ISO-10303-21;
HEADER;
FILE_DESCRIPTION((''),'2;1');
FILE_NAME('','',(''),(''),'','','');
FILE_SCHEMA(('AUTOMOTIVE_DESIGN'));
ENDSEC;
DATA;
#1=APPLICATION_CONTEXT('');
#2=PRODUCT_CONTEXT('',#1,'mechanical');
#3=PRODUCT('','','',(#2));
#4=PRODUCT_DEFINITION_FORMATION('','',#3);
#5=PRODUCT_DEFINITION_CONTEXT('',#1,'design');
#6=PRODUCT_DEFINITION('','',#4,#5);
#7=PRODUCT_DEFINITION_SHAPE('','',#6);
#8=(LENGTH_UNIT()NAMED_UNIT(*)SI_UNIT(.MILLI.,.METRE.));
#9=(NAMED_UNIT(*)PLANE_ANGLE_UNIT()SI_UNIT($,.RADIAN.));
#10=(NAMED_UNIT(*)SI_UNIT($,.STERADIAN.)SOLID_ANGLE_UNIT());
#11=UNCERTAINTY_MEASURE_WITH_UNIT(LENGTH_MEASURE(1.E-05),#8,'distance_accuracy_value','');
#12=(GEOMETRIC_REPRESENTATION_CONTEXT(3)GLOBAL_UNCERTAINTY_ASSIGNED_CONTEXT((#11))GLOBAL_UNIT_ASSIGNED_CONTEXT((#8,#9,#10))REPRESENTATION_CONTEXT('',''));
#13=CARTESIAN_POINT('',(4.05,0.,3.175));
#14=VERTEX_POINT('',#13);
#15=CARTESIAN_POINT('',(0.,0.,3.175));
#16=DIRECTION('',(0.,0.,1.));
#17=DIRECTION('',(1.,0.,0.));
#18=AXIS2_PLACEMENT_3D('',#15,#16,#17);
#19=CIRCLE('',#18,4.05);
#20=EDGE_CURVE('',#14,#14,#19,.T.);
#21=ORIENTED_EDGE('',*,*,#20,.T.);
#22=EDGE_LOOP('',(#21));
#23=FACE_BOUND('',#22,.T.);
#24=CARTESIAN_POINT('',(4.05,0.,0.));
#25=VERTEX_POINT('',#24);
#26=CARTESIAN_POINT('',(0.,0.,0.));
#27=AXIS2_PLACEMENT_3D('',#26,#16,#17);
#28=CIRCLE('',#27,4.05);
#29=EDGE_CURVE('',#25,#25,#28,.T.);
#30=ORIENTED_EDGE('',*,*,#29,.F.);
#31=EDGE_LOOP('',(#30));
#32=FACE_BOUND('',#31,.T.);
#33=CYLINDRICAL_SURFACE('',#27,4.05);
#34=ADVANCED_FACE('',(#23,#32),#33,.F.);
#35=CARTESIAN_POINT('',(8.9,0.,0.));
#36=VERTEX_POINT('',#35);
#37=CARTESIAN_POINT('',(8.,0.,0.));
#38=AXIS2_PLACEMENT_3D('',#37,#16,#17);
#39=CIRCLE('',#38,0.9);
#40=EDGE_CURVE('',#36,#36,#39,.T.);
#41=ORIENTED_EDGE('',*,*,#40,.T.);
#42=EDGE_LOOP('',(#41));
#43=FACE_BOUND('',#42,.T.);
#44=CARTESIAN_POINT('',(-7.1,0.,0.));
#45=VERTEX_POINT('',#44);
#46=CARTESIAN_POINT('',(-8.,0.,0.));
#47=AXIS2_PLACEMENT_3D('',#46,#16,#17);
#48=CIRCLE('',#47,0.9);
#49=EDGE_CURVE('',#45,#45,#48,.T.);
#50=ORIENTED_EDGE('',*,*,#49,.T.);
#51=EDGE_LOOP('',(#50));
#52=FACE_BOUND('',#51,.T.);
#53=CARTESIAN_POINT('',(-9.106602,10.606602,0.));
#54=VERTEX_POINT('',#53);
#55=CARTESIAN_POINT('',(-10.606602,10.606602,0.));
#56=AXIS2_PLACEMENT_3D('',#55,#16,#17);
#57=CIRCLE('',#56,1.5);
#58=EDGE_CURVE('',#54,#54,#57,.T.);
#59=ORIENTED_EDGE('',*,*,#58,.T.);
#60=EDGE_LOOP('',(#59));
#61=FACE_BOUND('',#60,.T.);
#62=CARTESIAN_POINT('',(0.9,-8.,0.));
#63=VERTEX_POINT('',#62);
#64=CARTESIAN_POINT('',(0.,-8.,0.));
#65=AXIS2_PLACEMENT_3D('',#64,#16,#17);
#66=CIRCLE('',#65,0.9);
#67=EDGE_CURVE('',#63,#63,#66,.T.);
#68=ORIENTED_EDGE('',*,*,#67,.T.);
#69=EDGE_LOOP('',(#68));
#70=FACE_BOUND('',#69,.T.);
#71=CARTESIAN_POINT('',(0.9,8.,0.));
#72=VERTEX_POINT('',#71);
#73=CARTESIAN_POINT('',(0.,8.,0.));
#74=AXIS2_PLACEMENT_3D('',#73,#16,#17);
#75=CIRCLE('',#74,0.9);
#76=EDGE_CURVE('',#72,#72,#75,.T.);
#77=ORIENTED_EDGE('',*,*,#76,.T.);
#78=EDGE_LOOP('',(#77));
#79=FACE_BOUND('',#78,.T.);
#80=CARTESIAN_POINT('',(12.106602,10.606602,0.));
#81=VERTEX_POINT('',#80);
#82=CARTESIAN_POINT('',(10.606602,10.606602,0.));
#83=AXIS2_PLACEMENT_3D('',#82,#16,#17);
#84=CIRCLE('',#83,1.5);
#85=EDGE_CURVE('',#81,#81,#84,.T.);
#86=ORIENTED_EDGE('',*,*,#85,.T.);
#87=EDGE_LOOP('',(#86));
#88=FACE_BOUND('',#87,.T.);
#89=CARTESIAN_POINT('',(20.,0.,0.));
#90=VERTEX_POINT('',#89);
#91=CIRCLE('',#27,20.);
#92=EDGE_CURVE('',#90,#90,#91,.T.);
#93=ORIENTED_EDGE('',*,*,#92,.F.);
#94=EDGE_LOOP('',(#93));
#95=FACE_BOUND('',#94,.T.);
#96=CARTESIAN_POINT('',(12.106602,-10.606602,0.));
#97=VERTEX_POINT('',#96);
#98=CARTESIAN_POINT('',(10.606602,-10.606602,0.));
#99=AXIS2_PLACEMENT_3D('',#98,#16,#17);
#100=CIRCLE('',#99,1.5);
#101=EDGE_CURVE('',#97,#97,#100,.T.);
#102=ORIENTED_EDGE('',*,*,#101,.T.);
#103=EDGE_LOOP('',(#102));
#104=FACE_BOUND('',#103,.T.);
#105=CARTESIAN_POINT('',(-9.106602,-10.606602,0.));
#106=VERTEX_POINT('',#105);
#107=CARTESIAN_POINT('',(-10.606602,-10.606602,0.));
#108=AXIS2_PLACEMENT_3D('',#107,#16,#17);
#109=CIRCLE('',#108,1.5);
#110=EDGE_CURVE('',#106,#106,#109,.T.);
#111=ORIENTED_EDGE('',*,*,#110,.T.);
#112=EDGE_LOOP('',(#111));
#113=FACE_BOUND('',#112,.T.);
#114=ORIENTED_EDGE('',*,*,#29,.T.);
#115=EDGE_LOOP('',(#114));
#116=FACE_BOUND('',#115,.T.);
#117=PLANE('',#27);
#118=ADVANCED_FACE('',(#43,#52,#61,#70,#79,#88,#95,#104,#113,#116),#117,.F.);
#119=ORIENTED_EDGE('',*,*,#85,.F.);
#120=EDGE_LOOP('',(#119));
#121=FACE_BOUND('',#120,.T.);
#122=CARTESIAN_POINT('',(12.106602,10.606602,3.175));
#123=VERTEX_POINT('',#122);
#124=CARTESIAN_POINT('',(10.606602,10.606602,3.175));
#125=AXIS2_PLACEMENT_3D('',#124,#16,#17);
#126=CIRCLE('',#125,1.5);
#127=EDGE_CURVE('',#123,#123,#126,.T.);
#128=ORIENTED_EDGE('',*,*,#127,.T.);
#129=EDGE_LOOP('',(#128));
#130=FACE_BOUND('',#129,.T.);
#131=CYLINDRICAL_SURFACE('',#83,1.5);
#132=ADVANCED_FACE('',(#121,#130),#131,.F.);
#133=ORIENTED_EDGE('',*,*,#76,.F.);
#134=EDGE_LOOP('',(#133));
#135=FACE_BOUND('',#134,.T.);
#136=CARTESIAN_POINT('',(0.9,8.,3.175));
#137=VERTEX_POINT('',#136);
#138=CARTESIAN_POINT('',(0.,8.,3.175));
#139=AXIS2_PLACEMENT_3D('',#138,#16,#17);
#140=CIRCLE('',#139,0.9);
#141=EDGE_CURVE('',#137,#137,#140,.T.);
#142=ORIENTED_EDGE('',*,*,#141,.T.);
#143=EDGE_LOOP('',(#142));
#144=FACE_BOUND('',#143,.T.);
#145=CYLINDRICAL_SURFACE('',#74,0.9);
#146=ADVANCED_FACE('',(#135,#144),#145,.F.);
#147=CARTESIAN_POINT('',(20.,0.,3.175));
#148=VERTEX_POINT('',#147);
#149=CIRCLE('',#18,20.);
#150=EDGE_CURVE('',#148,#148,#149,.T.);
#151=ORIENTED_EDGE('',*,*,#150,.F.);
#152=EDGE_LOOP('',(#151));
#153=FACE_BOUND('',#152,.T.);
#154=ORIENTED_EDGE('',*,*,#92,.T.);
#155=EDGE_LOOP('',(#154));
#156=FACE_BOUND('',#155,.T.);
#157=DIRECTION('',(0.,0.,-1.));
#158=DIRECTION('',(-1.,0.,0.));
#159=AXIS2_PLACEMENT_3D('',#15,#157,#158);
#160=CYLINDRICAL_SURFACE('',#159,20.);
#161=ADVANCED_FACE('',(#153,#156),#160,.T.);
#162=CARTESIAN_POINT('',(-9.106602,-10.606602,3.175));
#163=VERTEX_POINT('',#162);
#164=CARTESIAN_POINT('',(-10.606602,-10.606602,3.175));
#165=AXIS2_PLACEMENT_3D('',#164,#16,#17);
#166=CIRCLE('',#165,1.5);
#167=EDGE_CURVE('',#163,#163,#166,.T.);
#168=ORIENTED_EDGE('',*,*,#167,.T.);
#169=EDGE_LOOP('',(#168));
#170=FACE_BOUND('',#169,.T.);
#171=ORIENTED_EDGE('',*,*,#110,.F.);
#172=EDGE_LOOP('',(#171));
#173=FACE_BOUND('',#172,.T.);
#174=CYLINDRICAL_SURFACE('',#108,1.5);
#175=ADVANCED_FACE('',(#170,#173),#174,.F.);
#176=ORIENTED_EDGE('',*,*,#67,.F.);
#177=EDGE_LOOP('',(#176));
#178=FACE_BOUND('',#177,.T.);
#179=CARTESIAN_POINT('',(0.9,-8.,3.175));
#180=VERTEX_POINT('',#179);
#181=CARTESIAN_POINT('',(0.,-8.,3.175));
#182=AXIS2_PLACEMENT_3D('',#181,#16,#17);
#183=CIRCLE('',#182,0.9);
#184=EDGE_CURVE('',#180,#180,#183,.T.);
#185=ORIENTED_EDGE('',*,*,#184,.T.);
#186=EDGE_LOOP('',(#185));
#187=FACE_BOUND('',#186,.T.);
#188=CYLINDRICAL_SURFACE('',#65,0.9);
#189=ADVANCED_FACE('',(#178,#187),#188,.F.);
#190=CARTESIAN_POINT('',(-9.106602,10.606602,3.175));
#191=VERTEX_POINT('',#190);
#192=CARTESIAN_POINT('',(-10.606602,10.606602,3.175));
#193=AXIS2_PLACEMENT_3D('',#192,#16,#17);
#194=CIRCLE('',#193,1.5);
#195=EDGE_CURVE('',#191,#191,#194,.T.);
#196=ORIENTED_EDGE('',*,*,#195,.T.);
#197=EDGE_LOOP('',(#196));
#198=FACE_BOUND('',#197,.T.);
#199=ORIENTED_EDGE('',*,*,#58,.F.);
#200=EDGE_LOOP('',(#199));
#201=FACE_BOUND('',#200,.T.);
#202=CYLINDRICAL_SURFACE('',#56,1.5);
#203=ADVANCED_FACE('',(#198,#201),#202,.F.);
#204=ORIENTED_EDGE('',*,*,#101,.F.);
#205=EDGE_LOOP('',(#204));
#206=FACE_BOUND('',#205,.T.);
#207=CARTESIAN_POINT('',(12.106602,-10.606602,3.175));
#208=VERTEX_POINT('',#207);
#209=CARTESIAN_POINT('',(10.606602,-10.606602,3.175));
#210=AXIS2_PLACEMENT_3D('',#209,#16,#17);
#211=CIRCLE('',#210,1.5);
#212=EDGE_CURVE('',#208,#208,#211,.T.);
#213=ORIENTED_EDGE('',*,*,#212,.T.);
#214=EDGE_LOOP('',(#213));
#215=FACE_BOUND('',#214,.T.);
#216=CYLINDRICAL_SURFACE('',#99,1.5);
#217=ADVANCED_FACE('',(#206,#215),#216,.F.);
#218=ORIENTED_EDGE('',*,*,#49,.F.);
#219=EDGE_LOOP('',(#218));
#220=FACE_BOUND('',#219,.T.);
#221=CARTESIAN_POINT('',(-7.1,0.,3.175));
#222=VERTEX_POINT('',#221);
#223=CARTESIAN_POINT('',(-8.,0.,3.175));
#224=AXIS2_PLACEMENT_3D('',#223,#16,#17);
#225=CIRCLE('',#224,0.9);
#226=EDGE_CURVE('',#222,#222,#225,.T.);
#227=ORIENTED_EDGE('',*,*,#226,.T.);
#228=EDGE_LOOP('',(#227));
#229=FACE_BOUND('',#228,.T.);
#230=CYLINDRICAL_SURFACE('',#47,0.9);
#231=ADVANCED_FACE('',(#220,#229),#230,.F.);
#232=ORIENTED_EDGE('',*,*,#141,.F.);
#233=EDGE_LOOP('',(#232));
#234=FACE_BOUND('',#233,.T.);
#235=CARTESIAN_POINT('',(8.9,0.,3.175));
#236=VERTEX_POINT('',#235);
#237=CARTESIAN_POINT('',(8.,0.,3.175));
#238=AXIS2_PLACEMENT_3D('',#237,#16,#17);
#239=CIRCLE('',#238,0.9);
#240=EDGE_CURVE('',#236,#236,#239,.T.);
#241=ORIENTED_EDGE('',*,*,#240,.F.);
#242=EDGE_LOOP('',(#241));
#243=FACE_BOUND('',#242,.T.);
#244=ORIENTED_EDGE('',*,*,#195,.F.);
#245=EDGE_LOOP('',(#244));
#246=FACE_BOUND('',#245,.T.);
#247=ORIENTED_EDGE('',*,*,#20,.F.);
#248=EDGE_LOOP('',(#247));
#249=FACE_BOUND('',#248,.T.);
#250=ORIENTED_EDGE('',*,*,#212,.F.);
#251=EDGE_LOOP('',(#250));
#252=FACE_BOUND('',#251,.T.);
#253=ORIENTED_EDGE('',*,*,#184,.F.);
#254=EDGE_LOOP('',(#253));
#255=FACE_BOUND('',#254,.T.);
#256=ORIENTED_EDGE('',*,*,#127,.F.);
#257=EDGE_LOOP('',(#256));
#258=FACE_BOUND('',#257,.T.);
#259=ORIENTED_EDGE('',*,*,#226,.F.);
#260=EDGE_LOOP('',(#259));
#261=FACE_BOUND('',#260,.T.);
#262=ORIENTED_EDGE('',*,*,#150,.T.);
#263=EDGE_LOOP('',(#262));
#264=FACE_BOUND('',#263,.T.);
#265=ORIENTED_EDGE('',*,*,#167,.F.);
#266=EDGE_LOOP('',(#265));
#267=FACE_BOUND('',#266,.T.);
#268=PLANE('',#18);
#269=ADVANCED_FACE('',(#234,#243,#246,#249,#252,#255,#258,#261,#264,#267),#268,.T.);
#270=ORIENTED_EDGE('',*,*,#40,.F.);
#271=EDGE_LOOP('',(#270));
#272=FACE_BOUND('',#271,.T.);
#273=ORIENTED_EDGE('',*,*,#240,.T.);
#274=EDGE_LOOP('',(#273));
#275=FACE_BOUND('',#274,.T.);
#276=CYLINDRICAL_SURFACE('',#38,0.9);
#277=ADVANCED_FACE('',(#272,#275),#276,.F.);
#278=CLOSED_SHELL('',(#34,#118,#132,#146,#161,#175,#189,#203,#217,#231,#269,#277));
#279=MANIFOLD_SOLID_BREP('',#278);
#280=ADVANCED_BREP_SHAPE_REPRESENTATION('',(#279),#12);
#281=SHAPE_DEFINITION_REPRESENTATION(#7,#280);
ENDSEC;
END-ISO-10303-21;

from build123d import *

# Parameters (mm, degrees)
ESQUISSE1_R                  = 20
BOSS_EXTRU_1_DEPTH           = 3.175
ESQUISSE2_R                  = 4.05
ESQUISSE2_R_2                = 0.9
ENL_V_MAT_EXTRU_1_DEPTH      = 29.461915343
ENL_V_MAT_EXTRU_2_DEPTH      = 29.461915343
ENL_V_MAT_EXTRU_2_DEPTH_BACK = 29.461915343
ESQUISSE3_R                  = 1.5


with BuildPart() as part:
    # Esquisse1 → Boss.-Extru.1 (new body)
    with BuildSketch(Plane.XY):
        Circle(ESQUISSE1_R)
    extrude(amount=BOSS_EXTRU_1_DEPTH)

    # Esquisse2 → Enlèv. mat.-Extru.1 (cut, through all)
    with BuildSketch(Plane.XY.offset(3.175)):
        Circle(ESQUISSE2_R)
        with Locations((0, 8)):
            Circle(ESQUISSE2_R_2)
        with Locations((8, 0)):
            Circle(ESQUISSE2_R_2)
        with Locations((0, -8)):
            Circle(ESQUISSE2_R_2)
        with Locations((-8, 0)):
            Circle(ESQUISSE2_R_2)
    extrude(amount=-ENL_V_MAT_EXTRU_1_DEPTH, mode=Mode.SUBTRACT)

    # Esquisse3 → Enlèv. mat.-Extru.2 (cut, two sides: drawn at the far end of the back side and taken through both)
    with BuildSketch(Plane.XY.offset(3.175).offset(-ENL_V_MAT_EXTRU_2_DEPTH_BACK)):
        with Locations((10.606601718, 10.606601718)):
            Circle(ESQUISSE3_R)
        with Locations((10.606601718, -10.606601718)):
            Circle(ESQUISSE3_R)
        with Locations((-10.606601718, -10.606601718)):
            Circle(ESQUISSE3_R)
        with Locations((-10.606601718, 10.606601718)):
            Circle(ESQUISSE3_R)
    extrude(amount=ENL_V_MAT_EXTRU_2_DEPTH + ENL_V_MAT_EXTRU_2_DEPTH_BACK, mode=Mode.SUBTRACT)


solid = part.part
